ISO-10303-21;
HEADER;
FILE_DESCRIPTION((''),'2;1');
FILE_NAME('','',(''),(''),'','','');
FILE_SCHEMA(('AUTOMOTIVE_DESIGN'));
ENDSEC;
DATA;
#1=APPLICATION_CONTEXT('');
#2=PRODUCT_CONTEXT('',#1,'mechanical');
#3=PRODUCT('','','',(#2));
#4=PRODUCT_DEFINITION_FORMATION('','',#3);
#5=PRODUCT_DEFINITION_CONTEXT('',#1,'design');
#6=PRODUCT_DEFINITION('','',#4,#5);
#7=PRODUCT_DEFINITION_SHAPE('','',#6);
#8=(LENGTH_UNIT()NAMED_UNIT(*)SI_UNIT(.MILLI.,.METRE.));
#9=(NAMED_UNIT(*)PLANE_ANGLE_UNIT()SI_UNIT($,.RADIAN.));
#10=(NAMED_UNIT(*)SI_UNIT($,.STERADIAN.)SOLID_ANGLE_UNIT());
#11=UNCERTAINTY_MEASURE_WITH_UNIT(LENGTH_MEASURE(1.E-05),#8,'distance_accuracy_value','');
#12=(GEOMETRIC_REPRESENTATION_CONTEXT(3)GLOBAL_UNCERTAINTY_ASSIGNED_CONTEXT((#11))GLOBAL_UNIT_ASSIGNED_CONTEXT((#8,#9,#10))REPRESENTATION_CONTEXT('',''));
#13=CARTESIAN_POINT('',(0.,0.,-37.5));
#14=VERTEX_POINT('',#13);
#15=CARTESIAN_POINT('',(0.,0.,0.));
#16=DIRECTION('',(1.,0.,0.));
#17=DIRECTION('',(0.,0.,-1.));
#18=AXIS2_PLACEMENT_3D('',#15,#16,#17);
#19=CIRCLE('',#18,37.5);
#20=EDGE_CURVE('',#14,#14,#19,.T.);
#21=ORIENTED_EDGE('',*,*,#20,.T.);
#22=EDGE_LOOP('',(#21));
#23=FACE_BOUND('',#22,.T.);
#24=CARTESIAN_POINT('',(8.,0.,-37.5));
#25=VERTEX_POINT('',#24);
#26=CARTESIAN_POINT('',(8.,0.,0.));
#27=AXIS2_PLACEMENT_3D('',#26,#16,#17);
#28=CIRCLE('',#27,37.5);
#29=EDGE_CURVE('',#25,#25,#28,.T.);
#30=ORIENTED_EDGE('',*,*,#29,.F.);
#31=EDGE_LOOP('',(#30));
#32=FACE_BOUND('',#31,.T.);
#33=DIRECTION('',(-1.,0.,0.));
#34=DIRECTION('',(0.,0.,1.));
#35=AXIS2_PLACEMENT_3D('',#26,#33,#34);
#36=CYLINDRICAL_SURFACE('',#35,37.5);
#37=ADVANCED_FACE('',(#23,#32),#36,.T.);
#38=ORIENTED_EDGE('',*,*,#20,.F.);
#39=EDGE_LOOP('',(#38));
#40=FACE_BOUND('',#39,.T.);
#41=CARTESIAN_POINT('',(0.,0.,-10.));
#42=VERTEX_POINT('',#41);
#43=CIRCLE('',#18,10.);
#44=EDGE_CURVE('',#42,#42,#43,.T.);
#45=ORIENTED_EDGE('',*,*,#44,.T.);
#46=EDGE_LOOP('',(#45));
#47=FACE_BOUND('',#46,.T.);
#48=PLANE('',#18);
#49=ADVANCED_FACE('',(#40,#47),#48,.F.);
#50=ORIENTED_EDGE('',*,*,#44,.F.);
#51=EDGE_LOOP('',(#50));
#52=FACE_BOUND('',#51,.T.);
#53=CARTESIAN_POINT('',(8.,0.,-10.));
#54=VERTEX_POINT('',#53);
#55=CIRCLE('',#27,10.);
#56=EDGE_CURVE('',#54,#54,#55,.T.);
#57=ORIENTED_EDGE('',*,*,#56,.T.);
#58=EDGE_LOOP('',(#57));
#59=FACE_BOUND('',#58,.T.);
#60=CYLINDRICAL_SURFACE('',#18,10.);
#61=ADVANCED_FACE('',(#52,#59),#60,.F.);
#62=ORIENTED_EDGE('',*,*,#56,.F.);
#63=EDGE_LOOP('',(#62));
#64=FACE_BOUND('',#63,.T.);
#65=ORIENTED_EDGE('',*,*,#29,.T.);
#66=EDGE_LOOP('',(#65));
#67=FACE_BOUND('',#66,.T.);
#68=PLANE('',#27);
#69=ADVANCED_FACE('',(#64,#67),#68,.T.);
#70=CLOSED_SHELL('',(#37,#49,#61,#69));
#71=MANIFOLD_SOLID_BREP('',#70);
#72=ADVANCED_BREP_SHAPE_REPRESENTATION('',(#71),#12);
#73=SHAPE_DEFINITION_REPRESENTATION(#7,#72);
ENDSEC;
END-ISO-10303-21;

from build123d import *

# Parameters (mm, degrees)
SKETCH1_R           = 37.5
BOSS_EXTRUDE1_DEPTH = 8
SKETCH2_R           = 10
CUT_EXTRUDE1_DEPTH  = 9


with BuildPart() as part:
    # Sketch1 → Boss-Extrude1 (new body)
    with BuildSketch(Plane(origin=(0, 0, 0), x_dir=(0, 0, -1), z_dir=(1, 0, 0))):
        Circle(SKETCH1_R)
    extrude(amount=BOSS_EXTRUDE1_DEPTH)

    # Sketch2 → Cut-Extrude1 (cut, through all)
    with BuildSketch(Plane(origin=(8, 0, 0), x_dir=(0, 0, -1), z_dir=(1, 0, 0))):
        Circle(SKETCH2_R)
    extrude(amount=-CUT_EXTRUDE1_DEPTH, mode=Mode.SUBTRACT)


solid = part.part
